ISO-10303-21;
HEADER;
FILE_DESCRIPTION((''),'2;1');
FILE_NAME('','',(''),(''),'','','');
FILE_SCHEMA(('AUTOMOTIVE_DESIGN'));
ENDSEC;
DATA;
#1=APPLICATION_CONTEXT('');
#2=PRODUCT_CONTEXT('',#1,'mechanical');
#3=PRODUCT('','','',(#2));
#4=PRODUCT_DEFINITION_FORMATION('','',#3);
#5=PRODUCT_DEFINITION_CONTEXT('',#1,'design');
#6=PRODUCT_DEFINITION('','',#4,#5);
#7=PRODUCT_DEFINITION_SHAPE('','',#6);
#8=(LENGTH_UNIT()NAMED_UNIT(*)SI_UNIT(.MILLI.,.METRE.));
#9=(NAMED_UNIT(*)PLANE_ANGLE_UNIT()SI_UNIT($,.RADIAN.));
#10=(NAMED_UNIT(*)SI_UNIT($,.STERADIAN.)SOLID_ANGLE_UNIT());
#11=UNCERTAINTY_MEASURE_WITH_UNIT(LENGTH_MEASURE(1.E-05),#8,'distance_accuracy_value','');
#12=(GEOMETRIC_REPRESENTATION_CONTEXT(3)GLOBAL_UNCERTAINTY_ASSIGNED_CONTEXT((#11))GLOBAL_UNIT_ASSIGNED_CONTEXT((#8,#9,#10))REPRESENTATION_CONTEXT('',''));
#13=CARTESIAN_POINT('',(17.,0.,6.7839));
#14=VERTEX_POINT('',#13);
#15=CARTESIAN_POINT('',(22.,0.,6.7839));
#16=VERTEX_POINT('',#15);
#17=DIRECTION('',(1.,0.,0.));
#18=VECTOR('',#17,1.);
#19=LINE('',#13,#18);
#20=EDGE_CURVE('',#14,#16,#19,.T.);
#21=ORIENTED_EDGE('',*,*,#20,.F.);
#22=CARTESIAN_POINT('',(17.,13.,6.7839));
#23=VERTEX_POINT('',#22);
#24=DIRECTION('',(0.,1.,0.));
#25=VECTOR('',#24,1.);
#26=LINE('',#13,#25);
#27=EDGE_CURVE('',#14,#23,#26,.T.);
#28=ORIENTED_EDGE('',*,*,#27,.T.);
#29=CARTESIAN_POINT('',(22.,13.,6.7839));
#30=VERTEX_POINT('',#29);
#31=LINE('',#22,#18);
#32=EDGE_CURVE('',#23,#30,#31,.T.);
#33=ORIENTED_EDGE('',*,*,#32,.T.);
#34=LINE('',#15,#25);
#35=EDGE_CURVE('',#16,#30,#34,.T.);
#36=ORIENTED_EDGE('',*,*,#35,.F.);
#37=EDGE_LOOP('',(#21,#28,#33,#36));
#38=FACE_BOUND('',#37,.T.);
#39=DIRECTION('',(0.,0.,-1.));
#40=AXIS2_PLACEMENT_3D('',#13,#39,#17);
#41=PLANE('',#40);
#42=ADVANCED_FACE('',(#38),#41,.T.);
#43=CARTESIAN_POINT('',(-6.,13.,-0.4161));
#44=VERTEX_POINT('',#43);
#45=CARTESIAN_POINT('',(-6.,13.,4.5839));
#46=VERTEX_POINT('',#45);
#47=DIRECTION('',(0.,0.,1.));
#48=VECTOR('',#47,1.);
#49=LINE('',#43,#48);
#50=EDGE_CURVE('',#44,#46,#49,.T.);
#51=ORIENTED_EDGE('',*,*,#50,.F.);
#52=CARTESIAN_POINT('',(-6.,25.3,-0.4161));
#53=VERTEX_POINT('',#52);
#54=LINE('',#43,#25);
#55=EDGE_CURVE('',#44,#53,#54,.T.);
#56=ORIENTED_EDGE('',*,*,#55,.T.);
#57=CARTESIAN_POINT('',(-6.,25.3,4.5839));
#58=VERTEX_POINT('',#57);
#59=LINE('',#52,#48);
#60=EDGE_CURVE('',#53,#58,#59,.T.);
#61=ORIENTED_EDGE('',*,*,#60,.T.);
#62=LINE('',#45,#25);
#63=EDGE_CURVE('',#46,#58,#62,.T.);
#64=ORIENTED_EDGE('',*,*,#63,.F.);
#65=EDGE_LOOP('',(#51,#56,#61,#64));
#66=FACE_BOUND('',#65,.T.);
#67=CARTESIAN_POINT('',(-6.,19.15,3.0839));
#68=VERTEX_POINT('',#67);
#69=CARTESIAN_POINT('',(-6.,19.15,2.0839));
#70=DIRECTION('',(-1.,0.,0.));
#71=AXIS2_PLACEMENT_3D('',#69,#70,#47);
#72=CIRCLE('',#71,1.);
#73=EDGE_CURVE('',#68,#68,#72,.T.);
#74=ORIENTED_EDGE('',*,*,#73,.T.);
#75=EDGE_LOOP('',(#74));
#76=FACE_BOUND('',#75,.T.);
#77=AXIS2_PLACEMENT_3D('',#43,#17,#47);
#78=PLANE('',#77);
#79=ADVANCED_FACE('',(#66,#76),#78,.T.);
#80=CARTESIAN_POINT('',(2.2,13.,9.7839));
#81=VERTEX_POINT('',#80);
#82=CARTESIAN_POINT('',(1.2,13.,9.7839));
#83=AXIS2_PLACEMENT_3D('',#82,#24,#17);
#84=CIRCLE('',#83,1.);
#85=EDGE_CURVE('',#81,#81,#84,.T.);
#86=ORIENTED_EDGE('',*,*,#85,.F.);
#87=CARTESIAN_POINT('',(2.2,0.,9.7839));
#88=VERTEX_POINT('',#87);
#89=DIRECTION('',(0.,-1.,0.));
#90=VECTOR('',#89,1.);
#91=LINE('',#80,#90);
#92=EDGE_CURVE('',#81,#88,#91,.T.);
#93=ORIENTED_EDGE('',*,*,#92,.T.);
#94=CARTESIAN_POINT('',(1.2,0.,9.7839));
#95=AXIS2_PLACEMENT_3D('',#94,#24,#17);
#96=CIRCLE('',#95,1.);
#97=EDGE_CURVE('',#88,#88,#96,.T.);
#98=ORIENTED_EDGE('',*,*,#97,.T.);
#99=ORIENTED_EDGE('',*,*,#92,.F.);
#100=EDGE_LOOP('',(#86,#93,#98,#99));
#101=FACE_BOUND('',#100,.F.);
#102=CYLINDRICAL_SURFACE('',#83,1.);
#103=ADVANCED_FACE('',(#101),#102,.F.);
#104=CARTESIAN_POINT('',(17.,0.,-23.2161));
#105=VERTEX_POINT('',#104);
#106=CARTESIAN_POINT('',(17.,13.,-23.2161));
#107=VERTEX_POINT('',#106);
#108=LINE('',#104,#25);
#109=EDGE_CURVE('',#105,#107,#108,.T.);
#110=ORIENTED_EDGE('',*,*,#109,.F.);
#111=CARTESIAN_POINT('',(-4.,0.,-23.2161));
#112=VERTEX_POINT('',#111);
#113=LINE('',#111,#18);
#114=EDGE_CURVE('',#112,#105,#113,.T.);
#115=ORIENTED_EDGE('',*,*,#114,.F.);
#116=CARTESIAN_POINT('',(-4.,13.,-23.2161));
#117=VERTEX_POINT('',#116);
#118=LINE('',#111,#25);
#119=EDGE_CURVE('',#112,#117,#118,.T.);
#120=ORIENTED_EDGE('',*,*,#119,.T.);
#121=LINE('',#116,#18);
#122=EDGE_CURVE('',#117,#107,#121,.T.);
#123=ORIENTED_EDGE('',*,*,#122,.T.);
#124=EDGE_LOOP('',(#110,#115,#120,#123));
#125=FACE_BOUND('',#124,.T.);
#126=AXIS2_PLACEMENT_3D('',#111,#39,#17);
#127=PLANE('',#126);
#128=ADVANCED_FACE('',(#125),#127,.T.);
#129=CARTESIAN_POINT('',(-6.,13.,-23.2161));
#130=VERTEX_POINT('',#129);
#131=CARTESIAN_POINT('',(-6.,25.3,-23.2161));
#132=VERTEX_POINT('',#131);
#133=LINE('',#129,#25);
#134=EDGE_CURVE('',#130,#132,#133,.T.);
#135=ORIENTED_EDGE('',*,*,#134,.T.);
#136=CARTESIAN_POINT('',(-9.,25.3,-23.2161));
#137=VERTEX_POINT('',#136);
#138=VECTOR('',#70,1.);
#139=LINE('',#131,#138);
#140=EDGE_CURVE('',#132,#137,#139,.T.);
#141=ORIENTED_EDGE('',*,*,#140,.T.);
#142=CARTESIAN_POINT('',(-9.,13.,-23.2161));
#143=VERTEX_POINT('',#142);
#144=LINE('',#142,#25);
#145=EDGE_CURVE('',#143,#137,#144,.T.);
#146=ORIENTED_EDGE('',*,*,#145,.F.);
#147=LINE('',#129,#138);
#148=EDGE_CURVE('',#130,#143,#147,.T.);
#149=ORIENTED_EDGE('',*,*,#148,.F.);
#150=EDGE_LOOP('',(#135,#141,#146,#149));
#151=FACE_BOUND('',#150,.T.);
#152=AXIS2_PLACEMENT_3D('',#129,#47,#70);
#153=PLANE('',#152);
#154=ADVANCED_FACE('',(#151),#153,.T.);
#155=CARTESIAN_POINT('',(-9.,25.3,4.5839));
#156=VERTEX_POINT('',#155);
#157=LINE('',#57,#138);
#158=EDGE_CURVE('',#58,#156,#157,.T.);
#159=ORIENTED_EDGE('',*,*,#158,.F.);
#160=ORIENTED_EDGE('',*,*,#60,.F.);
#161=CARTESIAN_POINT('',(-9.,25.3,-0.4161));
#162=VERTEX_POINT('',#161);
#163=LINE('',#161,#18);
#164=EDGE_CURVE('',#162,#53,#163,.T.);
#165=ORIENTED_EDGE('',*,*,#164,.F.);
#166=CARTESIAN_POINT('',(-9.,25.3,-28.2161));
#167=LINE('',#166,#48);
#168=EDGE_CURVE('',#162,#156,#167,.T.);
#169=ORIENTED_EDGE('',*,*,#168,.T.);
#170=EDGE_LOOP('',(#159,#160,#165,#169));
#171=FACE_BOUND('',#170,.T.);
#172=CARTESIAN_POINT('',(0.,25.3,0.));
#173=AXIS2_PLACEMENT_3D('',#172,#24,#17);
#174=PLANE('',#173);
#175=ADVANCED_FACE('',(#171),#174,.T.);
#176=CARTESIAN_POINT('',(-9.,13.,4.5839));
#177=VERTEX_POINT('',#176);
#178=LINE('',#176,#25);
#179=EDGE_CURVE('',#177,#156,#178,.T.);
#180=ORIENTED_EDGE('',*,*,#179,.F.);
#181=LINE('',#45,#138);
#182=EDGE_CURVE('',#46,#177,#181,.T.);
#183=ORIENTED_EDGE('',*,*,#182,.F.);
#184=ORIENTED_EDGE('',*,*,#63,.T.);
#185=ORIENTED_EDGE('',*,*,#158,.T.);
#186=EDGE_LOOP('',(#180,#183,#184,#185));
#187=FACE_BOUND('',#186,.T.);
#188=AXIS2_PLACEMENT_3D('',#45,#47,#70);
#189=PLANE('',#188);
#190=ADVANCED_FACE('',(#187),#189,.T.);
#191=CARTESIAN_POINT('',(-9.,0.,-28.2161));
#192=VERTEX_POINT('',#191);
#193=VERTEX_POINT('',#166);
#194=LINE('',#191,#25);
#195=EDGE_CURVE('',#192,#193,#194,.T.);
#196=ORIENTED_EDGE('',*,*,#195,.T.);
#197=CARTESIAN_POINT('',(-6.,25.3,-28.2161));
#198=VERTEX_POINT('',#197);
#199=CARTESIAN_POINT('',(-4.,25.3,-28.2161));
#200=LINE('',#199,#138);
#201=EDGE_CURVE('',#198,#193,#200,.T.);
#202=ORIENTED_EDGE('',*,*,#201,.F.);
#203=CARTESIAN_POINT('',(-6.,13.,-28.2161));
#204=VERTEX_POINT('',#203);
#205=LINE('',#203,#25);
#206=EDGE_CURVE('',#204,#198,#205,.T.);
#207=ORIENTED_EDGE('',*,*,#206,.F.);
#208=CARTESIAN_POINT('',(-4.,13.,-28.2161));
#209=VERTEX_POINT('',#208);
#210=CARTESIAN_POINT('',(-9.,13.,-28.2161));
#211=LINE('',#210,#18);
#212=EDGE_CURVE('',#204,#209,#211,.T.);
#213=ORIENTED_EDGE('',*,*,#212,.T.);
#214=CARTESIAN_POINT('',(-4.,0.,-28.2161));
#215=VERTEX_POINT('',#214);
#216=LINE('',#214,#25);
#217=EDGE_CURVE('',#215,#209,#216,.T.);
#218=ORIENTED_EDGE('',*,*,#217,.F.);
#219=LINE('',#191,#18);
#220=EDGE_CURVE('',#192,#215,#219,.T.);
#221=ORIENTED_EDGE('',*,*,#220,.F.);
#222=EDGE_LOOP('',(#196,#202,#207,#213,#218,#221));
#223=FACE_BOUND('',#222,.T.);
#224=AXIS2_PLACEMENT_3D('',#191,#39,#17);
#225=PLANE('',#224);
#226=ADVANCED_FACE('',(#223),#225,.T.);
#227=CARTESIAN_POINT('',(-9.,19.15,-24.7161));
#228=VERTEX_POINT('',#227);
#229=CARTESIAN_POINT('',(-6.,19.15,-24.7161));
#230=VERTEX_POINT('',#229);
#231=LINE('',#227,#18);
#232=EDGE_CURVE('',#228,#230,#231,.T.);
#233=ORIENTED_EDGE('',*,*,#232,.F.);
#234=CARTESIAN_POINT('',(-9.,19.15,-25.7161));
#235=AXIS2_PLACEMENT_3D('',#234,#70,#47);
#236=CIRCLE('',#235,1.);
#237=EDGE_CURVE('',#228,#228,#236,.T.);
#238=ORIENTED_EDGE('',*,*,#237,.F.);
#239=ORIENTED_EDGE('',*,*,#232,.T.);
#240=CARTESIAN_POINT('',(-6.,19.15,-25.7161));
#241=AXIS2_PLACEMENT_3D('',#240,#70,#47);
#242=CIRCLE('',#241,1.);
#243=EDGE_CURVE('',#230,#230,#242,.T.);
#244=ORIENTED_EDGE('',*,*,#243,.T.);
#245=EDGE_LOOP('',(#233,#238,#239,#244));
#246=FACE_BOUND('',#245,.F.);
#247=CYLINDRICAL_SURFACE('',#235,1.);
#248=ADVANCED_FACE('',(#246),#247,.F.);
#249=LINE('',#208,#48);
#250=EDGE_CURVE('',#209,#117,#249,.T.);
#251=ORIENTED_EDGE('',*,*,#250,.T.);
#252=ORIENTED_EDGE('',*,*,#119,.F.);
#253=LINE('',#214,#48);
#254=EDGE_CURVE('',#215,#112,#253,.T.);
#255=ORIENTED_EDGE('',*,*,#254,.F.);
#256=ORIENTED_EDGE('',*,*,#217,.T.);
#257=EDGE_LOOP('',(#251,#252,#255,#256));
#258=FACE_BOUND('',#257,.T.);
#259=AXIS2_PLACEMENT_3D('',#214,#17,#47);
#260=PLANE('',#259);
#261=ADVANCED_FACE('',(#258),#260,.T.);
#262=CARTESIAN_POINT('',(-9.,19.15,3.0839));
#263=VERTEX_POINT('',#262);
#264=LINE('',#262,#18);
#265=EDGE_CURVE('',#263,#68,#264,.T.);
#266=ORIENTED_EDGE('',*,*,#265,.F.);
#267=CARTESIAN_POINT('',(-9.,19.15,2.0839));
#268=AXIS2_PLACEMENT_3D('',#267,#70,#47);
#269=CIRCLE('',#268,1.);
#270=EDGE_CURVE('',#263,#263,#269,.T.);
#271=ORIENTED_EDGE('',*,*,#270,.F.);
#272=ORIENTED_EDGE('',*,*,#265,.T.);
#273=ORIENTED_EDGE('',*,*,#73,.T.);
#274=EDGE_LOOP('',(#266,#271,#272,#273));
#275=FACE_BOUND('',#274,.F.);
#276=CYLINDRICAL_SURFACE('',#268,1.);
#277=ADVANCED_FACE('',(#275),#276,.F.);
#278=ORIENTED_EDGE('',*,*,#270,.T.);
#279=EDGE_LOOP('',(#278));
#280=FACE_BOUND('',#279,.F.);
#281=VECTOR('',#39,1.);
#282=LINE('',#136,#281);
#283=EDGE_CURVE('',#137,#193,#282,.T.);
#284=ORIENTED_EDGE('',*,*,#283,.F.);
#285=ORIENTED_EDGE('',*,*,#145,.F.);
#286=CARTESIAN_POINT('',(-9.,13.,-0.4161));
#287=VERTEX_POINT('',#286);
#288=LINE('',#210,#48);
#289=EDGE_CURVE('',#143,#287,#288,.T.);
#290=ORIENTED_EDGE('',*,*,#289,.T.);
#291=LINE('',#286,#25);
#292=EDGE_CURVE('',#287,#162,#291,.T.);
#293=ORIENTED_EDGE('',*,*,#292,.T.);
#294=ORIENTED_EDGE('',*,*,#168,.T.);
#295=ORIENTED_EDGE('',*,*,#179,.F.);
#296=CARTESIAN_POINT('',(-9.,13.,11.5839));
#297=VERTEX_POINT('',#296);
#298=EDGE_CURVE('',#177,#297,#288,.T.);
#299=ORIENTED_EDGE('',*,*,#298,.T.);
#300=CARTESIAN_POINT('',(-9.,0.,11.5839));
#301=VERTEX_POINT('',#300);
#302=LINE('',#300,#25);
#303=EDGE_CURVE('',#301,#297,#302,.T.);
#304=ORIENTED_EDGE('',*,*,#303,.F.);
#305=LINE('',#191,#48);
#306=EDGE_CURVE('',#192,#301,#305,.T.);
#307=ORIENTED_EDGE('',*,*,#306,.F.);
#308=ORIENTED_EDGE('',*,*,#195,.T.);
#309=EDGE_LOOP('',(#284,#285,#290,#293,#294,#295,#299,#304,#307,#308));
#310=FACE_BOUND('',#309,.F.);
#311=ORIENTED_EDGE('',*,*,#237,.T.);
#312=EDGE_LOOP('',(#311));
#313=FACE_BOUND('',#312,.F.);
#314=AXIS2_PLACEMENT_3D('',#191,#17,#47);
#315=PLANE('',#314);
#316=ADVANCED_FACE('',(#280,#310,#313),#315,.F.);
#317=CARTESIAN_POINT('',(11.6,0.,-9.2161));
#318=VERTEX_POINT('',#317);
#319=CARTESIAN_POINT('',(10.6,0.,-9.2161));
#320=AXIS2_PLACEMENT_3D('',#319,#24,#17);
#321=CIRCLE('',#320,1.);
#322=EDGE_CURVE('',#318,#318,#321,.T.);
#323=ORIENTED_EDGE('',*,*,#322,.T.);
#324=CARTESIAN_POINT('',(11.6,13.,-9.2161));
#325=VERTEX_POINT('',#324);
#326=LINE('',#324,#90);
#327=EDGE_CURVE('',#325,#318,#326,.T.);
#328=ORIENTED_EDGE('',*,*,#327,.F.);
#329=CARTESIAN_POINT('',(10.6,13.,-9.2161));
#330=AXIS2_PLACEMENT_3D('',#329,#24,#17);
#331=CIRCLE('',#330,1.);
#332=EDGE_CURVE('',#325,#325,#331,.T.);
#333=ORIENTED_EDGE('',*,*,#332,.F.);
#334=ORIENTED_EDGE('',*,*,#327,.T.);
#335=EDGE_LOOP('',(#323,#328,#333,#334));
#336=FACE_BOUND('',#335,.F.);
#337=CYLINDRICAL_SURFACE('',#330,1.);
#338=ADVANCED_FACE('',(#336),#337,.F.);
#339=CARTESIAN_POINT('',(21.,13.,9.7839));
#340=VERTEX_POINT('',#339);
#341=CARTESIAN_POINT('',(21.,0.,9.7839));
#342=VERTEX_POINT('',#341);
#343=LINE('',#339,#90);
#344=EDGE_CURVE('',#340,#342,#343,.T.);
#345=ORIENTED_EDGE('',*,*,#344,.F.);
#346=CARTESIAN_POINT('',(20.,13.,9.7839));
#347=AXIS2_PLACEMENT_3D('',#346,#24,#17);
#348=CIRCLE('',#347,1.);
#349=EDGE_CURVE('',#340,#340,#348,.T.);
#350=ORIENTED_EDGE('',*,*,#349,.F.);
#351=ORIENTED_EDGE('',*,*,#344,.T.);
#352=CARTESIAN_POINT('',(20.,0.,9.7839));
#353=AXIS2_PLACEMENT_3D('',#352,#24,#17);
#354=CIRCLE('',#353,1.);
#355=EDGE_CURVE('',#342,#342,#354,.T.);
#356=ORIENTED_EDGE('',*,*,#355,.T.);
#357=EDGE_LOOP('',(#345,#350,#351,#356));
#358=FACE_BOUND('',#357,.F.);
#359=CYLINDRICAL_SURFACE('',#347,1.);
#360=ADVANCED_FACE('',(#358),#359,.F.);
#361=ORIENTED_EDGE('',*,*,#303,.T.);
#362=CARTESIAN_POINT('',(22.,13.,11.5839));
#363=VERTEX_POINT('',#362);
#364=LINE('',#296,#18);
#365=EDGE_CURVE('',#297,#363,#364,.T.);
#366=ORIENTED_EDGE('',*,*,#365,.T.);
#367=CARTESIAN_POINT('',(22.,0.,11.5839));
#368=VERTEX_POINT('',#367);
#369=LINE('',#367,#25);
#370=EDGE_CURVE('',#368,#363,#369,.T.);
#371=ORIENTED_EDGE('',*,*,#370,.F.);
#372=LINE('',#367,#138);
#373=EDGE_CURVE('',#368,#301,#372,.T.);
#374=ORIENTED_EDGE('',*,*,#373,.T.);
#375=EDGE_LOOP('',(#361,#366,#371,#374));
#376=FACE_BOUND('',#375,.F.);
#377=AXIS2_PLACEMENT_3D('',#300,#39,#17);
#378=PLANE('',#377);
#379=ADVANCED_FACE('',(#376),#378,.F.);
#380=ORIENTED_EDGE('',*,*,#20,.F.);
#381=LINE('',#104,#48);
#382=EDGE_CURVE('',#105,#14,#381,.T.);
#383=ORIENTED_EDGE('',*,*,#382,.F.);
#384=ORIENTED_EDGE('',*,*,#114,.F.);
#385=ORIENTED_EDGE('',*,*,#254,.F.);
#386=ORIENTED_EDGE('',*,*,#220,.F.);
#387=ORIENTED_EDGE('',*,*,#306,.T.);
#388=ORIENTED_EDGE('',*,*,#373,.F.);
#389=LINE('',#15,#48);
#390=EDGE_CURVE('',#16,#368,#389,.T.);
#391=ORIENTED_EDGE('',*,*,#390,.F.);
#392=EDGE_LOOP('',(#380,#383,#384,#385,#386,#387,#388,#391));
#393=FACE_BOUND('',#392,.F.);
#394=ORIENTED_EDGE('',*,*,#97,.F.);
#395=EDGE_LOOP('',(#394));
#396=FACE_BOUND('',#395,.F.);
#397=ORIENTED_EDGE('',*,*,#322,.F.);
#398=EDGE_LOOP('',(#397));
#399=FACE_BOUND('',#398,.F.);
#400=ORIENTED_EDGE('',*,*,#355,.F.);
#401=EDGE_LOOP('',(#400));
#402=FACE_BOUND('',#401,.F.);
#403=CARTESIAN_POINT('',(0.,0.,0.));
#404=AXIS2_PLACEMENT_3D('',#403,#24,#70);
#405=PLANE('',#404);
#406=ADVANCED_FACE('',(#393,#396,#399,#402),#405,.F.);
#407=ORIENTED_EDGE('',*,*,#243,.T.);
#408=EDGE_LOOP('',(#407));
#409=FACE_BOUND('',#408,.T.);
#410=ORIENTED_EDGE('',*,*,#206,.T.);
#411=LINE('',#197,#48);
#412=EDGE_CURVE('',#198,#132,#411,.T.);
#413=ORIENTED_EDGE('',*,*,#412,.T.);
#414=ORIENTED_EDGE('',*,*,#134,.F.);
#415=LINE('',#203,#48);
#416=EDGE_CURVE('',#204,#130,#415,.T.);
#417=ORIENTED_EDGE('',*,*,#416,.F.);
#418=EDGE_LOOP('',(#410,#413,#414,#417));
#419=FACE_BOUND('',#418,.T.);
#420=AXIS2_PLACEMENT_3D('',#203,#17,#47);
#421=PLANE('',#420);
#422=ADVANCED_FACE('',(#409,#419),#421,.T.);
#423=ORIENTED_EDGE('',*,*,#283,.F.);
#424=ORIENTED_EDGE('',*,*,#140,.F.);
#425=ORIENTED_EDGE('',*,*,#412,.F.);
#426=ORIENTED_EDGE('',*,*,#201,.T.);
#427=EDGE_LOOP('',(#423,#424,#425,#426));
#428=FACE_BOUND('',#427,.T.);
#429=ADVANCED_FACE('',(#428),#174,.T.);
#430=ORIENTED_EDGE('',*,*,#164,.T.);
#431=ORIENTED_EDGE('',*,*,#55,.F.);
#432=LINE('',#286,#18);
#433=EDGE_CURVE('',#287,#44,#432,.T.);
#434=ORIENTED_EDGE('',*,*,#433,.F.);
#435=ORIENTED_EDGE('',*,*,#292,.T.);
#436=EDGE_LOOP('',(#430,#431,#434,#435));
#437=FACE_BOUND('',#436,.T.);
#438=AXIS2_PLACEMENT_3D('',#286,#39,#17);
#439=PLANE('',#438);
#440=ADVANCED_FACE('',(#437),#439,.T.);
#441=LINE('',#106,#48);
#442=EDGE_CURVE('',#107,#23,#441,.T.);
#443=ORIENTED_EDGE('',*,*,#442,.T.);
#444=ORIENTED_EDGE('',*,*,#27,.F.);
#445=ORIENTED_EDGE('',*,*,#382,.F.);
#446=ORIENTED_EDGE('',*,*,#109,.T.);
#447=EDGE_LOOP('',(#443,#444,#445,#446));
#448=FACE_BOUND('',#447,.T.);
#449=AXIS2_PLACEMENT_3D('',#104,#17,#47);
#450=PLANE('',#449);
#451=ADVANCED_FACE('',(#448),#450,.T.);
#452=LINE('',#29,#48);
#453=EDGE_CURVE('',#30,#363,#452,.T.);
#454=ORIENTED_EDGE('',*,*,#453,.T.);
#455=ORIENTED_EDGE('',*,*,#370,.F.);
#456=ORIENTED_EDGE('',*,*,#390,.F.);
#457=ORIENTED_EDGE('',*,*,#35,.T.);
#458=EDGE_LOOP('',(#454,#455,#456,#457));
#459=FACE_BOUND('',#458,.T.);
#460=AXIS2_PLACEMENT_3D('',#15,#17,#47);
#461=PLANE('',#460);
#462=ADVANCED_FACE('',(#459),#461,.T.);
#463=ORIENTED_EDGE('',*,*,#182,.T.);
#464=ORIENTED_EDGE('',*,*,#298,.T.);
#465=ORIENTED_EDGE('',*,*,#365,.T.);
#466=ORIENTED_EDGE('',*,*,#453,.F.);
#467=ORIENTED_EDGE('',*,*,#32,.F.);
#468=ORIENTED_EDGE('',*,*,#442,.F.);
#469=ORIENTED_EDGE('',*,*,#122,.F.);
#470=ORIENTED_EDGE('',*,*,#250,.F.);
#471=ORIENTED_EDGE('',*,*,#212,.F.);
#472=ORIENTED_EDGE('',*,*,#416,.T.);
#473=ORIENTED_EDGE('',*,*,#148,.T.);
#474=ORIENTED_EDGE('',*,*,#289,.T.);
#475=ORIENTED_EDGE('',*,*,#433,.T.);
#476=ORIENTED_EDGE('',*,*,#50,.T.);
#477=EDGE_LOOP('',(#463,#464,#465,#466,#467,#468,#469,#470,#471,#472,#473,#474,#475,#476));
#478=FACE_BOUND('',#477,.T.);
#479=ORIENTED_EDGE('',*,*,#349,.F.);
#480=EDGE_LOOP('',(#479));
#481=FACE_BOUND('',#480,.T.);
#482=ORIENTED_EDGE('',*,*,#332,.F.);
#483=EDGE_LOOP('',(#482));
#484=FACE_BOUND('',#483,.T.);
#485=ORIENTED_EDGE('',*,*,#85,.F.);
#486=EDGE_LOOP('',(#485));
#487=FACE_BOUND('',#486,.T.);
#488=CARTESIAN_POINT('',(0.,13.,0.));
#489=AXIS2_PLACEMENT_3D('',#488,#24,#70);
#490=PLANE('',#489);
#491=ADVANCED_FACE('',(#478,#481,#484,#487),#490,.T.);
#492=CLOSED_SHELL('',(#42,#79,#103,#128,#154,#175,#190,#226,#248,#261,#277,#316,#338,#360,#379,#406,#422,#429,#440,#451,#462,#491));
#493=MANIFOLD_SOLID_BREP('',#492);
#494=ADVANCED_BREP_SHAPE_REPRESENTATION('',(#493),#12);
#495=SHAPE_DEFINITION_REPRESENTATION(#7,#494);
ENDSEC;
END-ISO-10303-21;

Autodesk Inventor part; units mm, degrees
ref_plane "YZ Plane" through (0, 0, 0) normal (1, 0, 0) x (0, 1, 0)
ref_plane "XZ Plane" through (0, 0, 0) normal (0, 1, 0) x (-1, 0, 0)
ref_plane "XY Plane" through (0, 0, 0) normal (0, 0, 1) x (1, 0, 0)
sketch "Sketch1" plane through (0, 0, 0) normal (0, 1, 0) x (-1, 0, 0)
  line L0 (9, -28.2161) -> (9, 11.5839)
  line L1 (9, 11.5839) -> (4, 11.5839)
  line L2 (4, 11.5839) -> (4, 11.5839)
  line L3 (4, 11.5839) -> (-22, 11.5839)
  line L4 (9, -28.2161) -> (4, -28.2161)
  line L5 (4, -28.2161) -> (4, -23.2161)
  line L6 (-22, 6.7839) -> (-22, 11.5839)
  line L7 (4, -23.2161) -> (-17, -23.2161)
  line L8 (-17, -23.2161) -> (-17, 6.7839)
  line L9 (-17, 6.7839) -> (-22, 6.7839)
  point P0 (0, 0)
  dimension "d28" = 0
  dimension "d30" = 5
  dimension "d69" = 5
  dimension "d98" = 5
  dimension "d101" = 21
  dimension "d102" = 30
extrude "Extrusion1" add sketch "Sketch1" along normal blind 13
sketch "Sketch7" plane through (0, 13, 0) normal (0, 1, 0) x (1, 0, 0)
  circle A0 centre (1.2, -9.7839) radius 1
  circle A1 centre (20, -9.7839) radius 1
  circle A2 centre (10.6, 9.2161) radius 1
  line L0 (22, 11.2161) -> (-4, 11.2161) projected
  line L1 (-9, 28.2161) -> (-9, -11.5839) projected
  line L2 (22, -11.5839) -> (22, 11.2161) projected
  point P0 (0, 0)
  point P1 (-4, 23.2161)
  point P2 (-9, 23.2161)
  point P3 (-9, -6.5839)
  dimension "d84" = 2
  dimension "d85" = 2
  dimension "d87" = 2
  dimension "d88" = 19
  dimension "d89" = 9.4
  dimension "d90" = 2
  dimension "d91" = 19
  dimension "d93" = 9.4
  dimension "d100" = 2
extrude "Extrusion8" cut sketch "Sketch7" against normal blind 15
sketch "Sketch8" plane through (0, 13, 0) normal (0, 1, 0) x (1, 0, 0)
  line L0 (-4, 28.2161) -> (-9, 28.2161) projected
  line L1 (-9, 28.2161) -> (-6, 28.2161)
  line L2 (-6, 28.2161) -> (-6, 23.2161)
  line L3 (-6, 23.2161) -> (-9, 23.2161)
  line L4 (-9, 23.2161) -> (-9, 28.2161)
  line L5 (-9, 28.2161) -> (-9, -11.5839) projected
  line L6 (-6, -4.5839) -> (-9, -4.5839)
  line L7 (-9, -4.5839) -> (-9, 0.4161)
  line L8 (-9, 0.4161) -> (-6, 0.4161)
  line L9 (-6, 0.4161) -> (-6, -4.5839)
  point P0 (0, 0)
  dimension "d103" = 3
  dimension "d104" = 5
  dimension "d105" = 5
  dimension "d106" = 3
  dimension "d107" = 22.8
extrude "Extrusion9" add sketch "Sketch8" along normal blind 12.3
sketch "Sketch9" plane through (-9, 0, -28.2161) normal (-1, 0, 0) x (0, 0, 1)
  circle A0 centre (30.3, 19.15) radius 1
  line L0 (32.8, 13) -> (32.8, 25.3) projected
  line L1 (32.8, 13) -> (39.8, 13) projected
  circle A1 centre (2.5, 19.15) radius 1
  line L2 (5, 13) -> (27.8, 13) projected
  line L3 (5, 13) -> (5, 25.3) projected
  point P0 (28.2161, 0)
  dimension "d110" = 2
  dimension "d111" = 2.5
  dimension "d112" = 6.15
  dimension "d113" = 2
  dimension "d114" = 6.15
  dimension "d115" = 2.5
extrude "Extrusion10" cut sketch "Sketch9" against normal blind 12.3
properties part number "spojene 2"
